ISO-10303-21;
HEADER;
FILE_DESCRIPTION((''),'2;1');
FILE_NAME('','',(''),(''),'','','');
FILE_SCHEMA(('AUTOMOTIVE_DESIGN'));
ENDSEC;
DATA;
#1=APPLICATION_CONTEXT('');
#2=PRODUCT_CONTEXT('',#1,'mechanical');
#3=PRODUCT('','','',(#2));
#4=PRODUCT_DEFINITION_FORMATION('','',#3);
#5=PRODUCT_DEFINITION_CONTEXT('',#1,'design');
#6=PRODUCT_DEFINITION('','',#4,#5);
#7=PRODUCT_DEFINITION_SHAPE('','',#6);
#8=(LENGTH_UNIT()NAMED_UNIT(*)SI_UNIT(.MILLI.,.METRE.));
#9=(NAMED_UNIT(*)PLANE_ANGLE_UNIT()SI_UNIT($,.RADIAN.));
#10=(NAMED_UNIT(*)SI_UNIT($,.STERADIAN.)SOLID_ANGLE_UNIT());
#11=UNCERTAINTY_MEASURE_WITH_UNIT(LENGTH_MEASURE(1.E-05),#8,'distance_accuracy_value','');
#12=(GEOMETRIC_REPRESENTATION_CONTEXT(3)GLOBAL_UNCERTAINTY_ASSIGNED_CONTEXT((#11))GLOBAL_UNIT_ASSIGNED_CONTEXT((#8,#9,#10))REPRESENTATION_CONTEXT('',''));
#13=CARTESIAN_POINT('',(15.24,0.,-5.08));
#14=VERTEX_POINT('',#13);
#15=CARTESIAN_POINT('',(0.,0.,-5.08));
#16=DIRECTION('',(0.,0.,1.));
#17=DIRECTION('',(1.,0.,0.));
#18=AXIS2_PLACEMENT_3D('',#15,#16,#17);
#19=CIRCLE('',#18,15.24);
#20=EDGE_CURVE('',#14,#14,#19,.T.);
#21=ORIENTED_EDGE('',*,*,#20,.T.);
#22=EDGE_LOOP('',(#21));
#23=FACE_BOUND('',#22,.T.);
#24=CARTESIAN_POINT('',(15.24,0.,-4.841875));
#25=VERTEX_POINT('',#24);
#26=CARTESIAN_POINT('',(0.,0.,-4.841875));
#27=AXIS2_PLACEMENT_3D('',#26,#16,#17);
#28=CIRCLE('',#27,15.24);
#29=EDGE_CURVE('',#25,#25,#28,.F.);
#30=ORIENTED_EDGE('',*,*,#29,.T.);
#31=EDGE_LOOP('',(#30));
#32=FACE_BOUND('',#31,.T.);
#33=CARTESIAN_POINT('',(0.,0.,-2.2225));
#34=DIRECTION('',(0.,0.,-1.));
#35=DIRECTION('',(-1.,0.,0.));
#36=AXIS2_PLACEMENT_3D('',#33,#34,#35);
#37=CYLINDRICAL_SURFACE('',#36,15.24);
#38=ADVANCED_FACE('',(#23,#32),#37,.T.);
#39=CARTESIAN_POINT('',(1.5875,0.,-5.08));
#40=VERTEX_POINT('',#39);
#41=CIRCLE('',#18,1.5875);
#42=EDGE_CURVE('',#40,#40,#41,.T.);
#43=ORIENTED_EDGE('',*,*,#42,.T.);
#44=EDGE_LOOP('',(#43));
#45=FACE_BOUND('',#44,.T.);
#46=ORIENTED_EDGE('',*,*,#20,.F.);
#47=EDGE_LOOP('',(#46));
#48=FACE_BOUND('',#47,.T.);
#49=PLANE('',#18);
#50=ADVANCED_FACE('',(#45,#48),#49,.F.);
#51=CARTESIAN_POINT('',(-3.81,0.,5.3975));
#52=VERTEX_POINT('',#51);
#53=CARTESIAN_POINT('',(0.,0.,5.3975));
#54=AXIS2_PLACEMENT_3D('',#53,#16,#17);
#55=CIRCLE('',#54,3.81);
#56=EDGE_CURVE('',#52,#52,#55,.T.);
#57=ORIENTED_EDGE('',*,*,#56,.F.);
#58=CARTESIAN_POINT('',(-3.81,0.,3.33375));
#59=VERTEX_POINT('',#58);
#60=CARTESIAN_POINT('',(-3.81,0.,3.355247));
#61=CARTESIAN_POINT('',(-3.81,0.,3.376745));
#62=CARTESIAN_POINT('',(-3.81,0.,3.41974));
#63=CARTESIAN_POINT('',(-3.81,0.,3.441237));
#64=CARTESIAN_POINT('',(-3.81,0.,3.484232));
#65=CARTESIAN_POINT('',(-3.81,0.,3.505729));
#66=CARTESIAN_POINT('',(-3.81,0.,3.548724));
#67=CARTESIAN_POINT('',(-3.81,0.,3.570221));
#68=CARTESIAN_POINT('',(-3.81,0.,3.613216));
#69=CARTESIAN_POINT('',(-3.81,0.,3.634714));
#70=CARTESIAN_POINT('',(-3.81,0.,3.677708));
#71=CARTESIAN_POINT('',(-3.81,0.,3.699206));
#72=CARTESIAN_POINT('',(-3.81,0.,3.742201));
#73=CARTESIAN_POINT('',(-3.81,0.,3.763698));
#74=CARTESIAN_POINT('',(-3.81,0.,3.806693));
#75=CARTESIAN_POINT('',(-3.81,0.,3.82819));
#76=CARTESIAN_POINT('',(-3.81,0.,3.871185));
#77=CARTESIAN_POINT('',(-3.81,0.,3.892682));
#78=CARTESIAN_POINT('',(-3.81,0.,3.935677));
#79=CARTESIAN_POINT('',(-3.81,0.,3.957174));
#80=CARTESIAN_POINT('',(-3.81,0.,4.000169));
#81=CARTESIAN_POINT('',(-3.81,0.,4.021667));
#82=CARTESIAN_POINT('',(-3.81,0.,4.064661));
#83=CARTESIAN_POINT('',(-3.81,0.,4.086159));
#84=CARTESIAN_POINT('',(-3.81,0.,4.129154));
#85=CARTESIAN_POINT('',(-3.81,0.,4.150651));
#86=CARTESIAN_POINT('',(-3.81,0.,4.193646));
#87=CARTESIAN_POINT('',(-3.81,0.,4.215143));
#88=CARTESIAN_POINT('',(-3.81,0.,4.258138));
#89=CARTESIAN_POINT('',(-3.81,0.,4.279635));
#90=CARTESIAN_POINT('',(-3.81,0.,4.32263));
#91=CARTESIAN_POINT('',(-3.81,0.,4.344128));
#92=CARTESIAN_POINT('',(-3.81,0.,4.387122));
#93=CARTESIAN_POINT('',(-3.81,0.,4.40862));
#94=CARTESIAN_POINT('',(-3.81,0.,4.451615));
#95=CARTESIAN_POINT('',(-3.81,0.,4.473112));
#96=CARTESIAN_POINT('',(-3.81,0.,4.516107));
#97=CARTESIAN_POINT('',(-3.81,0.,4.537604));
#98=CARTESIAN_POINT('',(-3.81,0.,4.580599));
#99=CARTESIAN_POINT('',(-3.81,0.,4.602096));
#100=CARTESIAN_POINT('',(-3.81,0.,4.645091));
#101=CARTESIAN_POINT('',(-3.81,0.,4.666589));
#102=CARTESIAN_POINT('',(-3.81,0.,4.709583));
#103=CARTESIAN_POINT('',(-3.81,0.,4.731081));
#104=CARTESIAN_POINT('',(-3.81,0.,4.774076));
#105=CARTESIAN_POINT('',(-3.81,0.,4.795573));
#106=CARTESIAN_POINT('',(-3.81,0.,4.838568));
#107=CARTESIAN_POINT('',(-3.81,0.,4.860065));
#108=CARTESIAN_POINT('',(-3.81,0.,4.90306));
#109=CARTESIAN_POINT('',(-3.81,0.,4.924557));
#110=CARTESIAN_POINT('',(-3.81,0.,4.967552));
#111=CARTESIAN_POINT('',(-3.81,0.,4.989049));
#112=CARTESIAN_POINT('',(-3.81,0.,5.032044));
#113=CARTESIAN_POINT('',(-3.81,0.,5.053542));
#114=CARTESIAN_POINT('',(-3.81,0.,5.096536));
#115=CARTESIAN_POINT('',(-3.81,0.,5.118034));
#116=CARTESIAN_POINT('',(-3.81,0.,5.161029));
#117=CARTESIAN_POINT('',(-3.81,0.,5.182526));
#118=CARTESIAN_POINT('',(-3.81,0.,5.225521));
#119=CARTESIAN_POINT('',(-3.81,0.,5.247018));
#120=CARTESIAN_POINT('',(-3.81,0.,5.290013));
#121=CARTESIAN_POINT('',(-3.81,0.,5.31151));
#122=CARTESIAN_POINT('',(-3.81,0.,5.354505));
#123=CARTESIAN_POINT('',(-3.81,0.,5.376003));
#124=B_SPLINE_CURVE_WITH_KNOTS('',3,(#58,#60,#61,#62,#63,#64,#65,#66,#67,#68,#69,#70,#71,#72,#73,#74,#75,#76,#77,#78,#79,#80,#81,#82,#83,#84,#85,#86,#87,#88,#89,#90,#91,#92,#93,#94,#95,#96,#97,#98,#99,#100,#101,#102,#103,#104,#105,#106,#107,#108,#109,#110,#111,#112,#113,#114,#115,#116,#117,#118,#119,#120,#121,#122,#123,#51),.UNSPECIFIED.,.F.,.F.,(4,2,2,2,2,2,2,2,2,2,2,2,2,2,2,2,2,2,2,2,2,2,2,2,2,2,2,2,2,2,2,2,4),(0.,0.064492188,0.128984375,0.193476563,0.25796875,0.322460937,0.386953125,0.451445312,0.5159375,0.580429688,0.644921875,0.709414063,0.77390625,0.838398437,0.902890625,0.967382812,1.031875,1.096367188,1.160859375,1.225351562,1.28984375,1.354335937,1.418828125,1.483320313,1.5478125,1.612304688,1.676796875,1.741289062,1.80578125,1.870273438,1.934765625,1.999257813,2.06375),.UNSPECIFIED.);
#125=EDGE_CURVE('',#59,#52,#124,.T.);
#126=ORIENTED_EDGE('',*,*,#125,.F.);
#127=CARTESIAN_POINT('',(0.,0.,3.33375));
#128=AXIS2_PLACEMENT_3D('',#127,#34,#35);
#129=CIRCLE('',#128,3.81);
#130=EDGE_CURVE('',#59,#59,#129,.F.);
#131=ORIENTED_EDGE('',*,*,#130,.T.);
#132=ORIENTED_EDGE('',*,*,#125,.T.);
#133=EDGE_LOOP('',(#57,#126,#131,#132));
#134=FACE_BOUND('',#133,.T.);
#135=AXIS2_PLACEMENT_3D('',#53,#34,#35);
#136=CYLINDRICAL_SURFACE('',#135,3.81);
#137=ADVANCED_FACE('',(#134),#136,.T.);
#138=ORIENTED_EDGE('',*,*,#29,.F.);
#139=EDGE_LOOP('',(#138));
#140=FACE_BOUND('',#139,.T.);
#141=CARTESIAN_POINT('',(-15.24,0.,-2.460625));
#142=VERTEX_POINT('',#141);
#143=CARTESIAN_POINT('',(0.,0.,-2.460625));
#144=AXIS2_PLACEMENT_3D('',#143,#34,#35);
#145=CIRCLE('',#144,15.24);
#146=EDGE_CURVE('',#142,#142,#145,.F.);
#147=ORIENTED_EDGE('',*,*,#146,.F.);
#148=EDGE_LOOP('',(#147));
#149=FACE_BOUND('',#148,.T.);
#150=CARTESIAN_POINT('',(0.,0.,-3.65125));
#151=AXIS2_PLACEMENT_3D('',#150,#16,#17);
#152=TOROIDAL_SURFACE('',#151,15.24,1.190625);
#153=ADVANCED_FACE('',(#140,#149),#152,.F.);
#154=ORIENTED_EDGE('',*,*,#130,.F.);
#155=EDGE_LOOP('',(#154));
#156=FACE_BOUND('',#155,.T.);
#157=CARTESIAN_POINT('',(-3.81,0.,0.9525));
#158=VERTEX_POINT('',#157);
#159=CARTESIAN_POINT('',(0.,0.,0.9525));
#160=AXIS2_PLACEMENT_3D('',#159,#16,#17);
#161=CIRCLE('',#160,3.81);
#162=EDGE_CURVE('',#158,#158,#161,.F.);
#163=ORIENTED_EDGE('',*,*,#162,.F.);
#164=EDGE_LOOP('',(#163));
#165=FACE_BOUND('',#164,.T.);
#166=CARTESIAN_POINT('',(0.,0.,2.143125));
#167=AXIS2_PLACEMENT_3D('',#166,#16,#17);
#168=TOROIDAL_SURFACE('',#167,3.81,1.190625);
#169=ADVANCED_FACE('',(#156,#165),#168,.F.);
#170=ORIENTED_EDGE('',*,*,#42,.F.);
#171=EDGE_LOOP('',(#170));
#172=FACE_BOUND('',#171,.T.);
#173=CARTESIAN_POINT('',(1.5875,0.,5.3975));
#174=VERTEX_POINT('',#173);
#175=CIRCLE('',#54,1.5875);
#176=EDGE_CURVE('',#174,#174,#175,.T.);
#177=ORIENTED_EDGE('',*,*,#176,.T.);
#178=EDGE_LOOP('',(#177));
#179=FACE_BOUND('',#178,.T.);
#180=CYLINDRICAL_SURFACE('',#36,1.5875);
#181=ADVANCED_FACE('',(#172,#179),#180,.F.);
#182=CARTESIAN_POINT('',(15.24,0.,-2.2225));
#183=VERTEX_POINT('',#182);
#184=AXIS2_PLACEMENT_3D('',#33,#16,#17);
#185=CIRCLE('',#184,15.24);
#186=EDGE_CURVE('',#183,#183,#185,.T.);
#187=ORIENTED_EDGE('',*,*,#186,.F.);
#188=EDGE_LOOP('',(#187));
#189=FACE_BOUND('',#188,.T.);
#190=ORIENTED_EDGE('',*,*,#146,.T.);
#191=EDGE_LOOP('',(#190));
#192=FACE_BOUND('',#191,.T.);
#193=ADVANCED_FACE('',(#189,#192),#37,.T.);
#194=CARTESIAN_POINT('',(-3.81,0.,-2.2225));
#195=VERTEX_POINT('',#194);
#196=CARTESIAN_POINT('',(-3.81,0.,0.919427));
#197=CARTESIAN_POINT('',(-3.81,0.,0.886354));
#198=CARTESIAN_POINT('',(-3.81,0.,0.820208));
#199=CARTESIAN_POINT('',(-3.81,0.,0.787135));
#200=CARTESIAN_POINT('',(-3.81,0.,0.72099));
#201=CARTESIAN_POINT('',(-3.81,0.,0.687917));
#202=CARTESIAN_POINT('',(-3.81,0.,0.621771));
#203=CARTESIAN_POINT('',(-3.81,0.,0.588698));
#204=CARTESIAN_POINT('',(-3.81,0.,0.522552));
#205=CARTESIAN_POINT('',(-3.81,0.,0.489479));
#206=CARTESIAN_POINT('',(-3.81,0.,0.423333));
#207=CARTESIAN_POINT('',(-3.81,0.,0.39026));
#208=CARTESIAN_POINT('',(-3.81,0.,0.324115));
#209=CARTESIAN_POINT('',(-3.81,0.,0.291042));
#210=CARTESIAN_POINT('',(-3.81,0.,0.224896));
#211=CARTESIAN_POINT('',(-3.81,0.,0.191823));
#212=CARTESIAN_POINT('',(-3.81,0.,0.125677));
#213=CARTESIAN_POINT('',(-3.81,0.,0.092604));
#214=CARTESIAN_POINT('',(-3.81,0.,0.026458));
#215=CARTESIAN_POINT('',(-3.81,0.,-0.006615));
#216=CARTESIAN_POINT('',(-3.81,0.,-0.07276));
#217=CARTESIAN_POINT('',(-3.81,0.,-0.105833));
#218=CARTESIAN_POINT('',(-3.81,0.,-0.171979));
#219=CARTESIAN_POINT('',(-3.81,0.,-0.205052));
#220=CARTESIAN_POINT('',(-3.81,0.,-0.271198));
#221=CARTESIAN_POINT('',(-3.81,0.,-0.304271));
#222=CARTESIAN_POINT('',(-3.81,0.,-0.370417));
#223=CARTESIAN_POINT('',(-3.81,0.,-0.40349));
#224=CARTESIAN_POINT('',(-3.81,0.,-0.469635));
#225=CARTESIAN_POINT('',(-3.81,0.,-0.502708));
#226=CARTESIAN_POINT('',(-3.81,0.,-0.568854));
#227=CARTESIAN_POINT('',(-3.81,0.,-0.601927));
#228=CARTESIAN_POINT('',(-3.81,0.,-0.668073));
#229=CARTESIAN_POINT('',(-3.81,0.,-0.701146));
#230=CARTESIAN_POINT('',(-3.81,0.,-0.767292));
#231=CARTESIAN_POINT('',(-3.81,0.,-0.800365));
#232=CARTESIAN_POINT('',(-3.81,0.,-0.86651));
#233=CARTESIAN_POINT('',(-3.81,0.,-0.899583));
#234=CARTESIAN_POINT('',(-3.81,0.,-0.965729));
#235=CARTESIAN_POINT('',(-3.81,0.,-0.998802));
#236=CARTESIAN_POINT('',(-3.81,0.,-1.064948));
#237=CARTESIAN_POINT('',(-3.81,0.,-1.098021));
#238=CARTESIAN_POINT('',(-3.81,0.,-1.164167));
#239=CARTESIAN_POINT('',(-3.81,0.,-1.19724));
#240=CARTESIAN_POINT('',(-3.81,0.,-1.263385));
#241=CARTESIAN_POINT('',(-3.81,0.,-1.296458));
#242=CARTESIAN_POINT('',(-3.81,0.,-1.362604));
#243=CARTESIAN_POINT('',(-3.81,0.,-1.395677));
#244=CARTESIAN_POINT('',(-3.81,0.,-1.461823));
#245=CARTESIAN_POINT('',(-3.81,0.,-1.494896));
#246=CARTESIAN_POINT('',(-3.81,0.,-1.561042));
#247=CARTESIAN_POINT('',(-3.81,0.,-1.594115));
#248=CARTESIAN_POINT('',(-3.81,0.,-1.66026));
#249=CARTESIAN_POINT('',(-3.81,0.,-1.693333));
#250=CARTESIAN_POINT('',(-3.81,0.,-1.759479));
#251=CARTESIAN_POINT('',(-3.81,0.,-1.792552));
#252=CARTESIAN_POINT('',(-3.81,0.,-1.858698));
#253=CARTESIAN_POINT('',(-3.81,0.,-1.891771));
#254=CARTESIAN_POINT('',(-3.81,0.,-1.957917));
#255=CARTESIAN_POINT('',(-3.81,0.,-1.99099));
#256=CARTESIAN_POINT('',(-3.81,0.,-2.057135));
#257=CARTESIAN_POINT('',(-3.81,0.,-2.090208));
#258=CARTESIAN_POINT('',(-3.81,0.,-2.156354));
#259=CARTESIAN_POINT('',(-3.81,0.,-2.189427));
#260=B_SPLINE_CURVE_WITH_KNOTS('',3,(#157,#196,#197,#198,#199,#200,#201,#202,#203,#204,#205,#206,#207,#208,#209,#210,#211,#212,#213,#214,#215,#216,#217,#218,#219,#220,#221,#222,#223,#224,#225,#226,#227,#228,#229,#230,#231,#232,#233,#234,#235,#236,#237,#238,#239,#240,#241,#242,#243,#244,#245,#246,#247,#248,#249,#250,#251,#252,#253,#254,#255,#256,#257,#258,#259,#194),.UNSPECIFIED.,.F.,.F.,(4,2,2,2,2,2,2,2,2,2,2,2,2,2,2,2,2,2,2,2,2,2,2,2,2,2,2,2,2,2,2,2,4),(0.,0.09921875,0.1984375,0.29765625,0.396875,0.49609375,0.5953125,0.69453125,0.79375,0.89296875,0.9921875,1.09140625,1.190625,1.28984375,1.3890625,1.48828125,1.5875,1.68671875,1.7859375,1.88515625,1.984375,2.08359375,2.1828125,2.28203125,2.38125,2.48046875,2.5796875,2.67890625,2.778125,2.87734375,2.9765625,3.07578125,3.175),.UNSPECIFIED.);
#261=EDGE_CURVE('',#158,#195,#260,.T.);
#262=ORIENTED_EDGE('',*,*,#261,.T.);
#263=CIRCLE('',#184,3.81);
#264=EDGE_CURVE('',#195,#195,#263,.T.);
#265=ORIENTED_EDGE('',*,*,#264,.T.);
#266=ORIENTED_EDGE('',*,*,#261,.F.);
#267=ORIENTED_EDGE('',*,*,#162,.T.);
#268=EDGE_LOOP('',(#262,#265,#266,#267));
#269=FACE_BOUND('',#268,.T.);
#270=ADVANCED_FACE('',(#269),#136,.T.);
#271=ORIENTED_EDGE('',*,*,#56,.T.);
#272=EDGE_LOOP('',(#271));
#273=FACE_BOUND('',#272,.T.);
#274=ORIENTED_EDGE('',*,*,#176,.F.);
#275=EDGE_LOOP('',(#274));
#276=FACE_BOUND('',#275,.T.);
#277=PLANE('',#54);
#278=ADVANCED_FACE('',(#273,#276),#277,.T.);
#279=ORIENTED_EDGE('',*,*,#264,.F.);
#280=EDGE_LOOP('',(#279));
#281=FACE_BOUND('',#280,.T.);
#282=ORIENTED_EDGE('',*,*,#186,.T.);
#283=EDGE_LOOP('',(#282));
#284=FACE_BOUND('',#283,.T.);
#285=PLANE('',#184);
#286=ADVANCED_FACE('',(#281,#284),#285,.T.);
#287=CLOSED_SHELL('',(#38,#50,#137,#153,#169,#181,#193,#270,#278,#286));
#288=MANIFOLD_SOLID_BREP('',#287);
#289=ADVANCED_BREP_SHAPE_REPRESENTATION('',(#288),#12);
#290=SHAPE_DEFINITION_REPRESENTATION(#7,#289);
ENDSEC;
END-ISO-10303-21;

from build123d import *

# Parameters (mm, degrees)
BOSS_EXTRUDE1_START = -5.08
SKETCH1_R           = 15.24
SKETCH1_R_2         = 1.5875
BOSS_EXTRUDE1_DEPTH = 2.8575
SKETCH2_R           = 3.81
SKETCH2_R_2         = 1.5875
BOSS_EXTRUDE2_DEPTH = 7.62
SKETCH3_R           = 1.190625


with BuildPart() as part:
    # Sketch1 → Boss-Extrude1 (new body)
    with BuildSketch(Plane.XY.offset(BOSS_EXTRUDE1_START)):
        Circle(SKETCH1_R)
        Circle(SKETCH1_R_2, mode=Mode.SUBTRACT)
    extrude(amount=BOSS_EXTRUDE1_DEPTH)

    # Sketch2 → Boss-Extrude2 (add)
    with BuildSketch(Plane.XY.offset(-2.2225)):
        with Locations(Location((0, 0, 0), (0, 0, 180))):
            Circle(SKETCH2_R)
        Circle(SKETCH2_R_2, mode=Mode.SUBTRACT)
    extrude(amount=BOSS_EXTRUDE2_DEPTH)

    # Sketch3 → Cut-Revolve1 (revolve, cut)
    with BuildSketch(Plane(origin=(0, 0, 0), x_dir=(1, 0, 0), z_dir=(0, 1, 0)), mode=Mode.PRIVATE) as cut_revolve1_sk:
        with Locations((3.81, -2.143125)):
            Circle(SKETCH3_R)
        with Locations((15.24, 3.65125)):
            Circle(SKETCH3_R)
    revolve(cut_revolve1_sk.sketch.rotate(Axis((0, 0, -2.2225), (0, 0, -1)), 180), axis=Axis((0, 0, -2.2225), (0, 0, -1)), mode=Mode.SUBTRACT)


solid = part.part
